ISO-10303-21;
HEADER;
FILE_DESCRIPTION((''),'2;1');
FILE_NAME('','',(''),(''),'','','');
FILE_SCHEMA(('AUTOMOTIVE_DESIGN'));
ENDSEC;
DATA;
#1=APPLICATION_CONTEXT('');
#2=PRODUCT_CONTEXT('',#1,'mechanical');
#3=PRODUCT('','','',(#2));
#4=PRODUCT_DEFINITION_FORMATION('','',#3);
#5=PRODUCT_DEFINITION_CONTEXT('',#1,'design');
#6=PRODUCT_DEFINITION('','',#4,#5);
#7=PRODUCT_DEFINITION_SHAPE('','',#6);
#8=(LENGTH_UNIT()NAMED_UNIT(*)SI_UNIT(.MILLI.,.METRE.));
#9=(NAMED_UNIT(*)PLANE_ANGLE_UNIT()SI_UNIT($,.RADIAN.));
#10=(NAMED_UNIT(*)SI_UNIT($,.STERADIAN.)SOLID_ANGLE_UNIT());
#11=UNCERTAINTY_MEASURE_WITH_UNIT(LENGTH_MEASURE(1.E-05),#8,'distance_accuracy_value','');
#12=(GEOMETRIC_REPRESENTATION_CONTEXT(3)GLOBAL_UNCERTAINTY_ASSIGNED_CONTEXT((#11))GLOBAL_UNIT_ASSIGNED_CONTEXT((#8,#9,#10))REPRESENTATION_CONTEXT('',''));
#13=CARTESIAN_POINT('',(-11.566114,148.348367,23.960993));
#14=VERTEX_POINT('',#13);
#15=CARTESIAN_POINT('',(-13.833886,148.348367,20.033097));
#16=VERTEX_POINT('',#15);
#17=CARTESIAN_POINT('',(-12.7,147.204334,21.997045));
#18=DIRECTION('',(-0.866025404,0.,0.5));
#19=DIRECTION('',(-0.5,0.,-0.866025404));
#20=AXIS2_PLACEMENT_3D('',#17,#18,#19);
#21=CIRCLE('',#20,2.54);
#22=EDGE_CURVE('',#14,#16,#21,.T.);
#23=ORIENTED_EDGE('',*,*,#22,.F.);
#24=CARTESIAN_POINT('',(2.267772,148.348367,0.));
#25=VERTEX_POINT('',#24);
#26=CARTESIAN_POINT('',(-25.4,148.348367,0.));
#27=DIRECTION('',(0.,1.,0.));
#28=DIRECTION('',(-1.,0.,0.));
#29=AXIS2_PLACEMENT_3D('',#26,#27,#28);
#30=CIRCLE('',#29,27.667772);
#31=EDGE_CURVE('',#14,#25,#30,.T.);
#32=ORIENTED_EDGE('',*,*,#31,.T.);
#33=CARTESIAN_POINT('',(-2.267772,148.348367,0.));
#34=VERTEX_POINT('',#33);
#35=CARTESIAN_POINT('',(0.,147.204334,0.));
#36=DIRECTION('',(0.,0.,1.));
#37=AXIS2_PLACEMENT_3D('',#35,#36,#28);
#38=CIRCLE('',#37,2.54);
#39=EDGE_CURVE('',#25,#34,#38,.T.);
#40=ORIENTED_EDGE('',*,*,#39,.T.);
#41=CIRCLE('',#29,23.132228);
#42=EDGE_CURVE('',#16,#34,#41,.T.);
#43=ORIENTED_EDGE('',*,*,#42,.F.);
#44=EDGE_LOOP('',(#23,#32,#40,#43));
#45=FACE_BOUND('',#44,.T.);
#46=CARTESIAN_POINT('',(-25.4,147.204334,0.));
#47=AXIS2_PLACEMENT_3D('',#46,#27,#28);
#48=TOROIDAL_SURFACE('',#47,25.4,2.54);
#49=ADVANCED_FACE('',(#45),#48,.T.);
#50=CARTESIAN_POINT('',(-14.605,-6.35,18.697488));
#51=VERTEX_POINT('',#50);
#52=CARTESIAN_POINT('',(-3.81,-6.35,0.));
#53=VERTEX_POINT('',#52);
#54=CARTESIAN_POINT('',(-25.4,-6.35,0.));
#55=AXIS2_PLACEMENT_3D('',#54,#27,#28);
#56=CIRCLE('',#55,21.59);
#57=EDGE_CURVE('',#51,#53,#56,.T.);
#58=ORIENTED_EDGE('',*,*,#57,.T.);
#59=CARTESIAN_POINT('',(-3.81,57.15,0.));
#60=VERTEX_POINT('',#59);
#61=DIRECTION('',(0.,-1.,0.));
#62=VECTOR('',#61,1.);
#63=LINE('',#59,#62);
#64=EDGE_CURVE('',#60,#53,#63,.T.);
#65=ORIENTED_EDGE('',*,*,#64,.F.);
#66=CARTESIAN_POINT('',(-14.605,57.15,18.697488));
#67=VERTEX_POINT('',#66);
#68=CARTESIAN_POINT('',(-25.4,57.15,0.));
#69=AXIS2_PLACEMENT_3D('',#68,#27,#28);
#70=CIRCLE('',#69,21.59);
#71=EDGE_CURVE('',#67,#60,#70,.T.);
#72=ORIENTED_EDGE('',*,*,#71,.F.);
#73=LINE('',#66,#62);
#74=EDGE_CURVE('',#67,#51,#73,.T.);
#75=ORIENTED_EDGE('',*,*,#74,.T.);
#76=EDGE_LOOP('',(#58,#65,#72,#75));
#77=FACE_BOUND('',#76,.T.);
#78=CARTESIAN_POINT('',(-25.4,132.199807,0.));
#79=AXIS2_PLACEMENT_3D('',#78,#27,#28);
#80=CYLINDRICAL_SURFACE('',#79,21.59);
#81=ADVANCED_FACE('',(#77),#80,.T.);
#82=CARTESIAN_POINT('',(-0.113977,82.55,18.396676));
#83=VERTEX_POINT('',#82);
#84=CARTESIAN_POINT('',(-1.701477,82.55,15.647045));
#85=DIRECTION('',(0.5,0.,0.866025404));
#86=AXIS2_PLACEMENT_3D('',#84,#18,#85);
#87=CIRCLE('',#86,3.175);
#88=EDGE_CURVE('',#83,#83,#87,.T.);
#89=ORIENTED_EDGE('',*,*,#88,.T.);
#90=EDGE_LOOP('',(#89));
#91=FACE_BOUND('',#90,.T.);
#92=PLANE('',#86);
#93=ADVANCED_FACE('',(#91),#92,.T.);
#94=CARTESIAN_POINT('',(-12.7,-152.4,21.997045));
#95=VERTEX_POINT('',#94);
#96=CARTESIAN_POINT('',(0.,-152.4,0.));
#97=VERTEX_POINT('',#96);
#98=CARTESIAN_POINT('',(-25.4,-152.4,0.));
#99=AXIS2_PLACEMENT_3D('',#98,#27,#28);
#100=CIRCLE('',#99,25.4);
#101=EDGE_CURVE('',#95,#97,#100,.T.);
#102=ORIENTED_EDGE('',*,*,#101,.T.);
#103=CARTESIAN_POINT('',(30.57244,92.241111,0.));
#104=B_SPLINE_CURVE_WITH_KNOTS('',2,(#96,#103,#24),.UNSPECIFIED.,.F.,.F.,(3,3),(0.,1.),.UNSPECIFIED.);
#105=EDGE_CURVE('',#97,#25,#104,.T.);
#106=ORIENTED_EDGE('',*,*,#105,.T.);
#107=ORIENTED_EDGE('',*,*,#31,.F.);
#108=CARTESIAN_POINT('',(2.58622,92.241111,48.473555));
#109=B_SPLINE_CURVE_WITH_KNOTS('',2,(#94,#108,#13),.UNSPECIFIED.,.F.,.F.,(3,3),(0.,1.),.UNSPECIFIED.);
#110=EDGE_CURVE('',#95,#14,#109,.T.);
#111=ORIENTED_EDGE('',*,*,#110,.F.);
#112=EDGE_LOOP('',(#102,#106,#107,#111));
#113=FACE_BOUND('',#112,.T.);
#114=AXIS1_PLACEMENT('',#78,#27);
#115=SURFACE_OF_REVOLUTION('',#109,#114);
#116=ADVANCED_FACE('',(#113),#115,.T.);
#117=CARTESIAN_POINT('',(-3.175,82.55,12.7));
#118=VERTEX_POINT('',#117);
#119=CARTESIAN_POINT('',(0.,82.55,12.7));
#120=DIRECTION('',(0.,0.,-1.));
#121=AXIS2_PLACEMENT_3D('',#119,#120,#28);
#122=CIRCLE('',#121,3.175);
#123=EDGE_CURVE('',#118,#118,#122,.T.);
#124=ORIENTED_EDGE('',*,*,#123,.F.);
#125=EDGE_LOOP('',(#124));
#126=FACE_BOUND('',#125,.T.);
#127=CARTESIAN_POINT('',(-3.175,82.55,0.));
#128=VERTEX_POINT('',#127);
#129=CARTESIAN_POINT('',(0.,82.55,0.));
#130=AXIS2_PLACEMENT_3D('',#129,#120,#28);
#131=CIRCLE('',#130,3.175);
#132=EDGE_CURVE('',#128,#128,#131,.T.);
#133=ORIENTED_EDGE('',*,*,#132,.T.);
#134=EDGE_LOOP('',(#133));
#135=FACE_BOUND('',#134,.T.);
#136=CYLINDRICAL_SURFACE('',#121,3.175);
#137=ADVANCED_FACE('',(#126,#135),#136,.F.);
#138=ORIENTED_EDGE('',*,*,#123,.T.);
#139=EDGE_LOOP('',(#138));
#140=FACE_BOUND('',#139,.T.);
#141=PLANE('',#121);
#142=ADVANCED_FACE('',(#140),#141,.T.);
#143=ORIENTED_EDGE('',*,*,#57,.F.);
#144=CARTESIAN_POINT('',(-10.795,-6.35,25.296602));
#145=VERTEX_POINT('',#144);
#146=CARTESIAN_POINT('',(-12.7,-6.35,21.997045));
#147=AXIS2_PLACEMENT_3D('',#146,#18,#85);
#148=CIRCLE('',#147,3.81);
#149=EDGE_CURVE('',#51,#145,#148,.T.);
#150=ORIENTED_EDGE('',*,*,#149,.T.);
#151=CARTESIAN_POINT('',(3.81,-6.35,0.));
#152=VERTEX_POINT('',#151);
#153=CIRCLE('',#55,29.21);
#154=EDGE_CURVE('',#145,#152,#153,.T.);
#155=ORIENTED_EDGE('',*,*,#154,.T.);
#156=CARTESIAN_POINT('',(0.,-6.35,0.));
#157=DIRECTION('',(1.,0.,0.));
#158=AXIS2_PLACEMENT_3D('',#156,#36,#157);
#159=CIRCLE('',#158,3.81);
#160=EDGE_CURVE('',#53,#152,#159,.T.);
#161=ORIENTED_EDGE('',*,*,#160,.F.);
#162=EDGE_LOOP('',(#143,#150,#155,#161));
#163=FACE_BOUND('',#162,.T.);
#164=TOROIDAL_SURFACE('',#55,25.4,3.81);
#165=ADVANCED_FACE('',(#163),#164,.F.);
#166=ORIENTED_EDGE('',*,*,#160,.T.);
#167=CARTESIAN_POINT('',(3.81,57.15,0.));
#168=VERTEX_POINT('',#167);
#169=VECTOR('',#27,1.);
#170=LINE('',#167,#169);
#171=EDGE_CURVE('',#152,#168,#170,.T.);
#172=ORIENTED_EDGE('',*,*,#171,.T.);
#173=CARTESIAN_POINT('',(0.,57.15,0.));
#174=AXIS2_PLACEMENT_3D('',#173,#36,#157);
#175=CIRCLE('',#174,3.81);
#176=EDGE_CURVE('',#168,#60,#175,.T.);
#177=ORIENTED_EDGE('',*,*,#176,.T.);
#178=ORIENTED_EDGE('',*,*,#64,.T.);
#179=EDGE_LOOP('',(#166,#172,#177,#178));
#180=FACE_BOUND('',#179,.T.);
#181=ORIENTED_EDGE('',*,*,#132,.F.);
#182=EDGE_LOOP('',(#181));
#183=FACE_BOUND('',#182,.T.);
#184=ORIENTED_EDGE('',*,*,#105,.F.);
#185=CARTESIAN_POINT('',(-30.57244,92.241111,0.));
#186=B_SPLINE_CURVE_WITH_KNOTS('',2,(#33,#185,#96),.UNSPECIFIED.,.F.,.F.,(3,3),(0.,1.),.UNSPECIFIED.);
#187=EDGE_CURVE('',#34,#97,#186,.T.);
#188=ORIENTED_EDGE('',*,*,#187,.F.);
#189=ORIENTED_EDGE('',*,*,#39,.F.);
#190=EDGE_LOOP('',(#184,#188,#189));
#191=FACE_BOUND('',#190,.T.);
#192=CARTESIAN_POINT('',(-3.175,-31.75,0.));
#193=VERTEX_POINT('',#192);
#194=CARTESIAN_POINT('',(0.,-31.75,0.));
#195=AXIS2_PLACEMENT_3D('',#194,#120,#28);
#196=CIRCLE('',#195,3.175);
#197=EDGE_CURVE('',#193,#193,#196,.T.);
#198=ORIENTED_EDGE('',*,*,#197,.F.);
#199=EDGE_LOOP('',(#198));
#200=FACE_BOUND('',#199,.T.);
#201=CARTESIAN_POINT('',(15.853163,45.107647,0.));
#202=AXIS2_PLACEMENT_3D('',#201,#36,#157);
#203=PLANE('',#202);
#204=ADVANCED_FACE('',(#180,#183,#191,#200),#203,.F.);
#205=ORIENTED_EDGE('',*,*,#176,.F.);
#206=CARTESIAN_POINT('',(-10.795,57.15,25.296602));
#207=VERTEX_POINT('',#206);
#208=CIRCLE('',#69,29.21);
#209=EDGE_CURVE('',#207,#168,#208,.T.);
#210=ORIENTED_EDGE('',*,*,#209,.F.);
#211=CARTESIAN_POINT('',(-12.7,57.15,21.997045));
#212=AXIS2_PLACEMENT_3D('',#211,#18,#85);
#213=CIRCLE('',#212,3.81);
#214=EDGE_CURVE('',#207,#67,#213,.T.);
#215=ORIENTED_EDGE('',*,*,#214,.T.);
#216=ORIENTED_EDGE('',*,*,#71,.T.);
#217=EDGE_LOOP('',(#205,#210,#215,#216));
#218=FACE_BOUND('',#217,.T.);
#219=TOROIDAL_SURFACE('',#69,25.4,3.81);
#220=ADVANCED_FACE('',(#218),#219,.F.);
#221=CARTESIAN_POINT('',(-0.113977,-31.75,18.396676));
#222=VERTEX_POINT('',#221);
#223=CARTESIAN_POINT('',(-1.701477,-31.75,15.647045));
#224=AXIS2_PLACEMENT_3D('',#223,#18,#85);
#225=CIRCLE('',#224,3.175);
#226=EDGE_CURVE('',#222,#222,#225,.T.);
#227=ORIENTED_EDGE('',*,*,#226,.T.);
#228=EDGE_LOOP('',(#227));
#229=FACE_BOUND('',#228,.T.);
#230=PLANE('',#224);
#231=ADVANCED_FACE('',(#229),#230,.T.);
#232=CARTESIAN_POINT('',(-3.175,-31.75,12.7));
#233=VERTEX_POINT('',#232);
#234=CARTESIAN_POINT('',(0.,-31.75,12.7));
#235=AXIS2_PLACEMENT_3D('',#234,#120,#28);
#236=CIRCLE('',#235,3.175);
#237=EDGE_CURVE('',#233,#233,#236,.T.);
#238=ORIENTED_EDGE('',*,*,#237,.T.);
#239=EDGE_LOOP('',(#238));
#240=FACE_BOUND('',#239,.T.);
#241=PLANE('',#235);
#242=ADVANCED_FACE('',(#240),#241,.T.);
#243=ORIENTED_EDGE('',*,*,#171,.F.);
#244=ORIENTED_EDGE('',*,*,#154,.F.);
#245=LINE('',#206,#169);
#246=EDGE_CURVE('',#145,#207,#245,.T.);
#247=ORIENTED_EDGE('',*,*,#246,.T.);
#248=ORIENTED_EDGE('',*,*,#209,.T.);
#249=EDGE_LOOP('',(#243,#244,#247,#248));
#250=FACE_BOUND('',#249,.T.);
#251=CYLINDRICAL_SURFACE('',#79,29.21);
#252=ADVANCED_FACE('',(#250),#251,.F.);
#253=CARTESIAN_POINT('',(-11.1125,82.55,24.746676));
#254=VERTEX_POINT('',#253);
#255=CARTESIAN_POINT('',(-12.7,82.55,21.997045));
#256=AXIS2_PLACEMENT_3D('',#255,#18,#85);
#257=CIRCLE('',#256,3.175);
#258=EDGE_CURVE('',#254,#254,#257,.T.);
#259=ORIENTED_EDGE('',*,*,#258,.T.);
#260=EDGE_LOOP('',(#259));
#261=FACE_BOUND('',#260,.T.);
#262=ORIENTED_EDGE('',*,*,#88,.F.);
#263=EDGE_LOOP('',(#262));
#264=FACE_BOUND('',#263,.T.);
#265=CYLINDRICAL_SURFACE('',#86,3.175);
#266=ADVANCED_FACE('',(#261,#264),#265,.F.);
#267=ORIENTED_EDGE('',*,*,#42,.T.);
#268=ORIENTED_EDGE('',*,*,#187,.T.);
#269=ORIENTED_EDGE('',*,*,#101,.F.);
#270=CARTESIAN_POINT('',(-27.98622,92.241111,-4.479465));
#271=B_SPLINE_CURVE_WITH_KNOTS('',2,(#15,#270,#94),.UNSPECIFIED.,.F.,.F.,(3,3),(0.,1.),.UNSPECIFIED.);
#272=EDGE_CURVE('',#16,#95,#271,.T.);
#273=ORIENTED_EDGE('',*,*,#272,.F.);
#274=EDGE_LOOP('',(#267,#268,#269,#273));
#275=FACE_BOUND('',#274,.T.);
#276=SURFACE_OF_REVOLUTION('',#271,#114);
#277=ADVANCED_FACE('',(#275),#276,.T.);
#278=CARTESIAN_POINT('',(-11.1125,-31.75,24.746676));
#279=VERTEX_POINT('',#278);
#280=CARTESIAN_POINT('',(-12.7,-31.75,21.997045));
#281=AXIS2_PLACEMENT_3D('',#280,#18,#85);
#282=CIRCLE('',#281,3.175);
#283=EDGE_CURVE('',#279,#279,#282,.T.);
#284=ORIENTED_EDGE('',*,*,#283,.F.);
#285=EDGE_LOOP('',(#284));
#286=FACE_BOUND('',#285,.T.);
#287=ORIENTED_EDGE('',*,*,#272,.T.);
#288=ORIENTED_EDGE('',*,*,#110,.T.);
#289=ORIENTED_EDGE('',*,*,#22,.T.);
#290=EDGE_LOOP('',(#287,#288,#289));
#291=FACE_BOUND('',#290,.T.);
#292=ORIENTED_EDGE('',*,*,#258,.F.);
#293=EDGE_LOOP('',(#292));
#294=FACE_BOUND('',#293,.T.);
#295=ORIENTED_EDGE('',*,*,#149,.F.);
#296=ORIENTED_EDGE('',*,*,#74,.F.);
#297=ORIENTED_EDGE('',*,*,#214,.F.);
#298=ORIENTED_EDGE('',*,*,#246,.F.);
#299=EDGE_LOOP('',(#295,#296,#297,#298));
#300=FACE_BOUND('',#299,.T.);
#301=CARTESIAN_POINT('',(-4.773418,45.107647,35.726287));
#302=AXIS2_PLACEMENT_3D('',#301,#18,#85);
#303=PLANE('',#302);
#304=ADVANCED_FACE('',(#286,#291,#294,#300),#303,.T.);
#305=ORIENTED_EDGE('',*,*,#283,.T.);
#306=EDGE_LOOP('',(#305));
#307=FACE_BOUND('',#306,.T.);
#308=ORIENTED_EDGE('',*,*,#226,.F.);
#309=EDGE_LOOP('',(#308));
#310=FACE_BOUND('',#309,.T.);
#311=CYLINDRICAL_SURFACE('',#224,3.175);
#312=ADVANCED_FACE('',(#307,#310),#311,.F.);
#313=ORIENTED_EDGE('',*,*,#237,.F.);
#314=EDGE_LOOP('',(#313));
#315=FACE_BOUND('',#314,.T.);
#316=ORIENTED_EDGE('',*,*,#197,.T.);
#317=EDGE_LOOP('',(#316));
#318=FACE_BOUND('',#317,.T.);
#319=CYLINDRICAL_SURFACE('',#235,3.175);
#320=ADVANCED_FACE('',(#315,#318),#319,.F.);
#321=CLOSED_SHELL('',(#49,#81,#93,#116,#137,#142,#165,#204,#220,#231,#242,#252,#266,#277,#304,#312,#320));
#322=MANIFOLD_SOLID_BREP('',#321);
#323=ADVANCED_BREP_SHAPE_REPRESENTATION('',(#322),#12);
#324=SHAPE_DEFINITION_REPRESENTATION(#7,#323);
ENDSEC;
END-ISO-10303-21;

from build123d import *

# Parameters (mm, degrees)
MAIN_EXTRUDE_ANGLE = 60
SKETCH4_R          = 3.175
SPAR_HOLES_1_DEPTH = 12.7
SKETCH5_R          = 3.175
SPAR_HOLES_2_DEPTH = 12.7


with BuildPart() as part:
    # Sketch3 → Main extrude (revolve)
    with BuildSketch(Plane.XY):
        with BuildLine():
            ThreePointArc((-2.267771894, 148.348367024), (0, 149.744334404), (2.267771894, 148.348367024))
            add(Edge.make_bspline(
                [(2.267771894, 148.348367024), (30.572440123, 92.24111101), (0, -152.4)],
                knots=[0, 0, 0, 1, 1, 1], degree=2))
            add(Edge.make_bspline(
                [(-2.267771894, 148.348367024), (-30.572440123, 92.24111101), (0, -152.4)],
                knots=[0, 0, 0, 1, 1, 1], degree=2))
        make_face()
        with BuildLine():
            Line((3.81, 57.15), (3.81, -6.35))
            ThreePointArc((3.81, -6.35), (0, -10.16), (-3.81, -6.35))
            Line((-3.81, -6.35), (-3.81, 57.15))
            ThreePointArc((-3.81, 57.15), (0, 60.96), (3.81, 57.15))
        make_face(mode=Mode.SUBTRACT)
    revolve(axis=Axis((-25.4, 132.199806754, 0), (0, -1, 0)), revolution_arc=MAIN_EXTRUDE_ANGLE)

    # Sketch4 → Spar holes 1 (cut)
    with BuildSketch(Plane(origin=(-19.05, 0, 10.998522628), x_dir=(0.5, 0, 0.866025404), z_dir=(-0.866025404, 0, 0.5))):
        with Locations((12.7, 82.55)):
            Circle(SKETCH4_R)
        with Locations((12.7, -31.75)):
            Circle(SKETCH4_R)
    extrude(amount=-SPAR_HOLES_1_DEPTH, mode=Mode.SUBTRACT)

    # Sketch5 → Spar holes 2 (cut)
    with BuildSketch(Plane(origin=(0, 0, 0), x_dir=(-1, 0, 0), z_dir=(0, 0, -1))):
        with Locations((0, 82.55)):
            Circle(SKETCH5_R)
        with Locations((0, -31.75)):
            Circle(SKETCH5_R)
    extrude(amount=-SPAR_HOLES_2_DEPTH, mode=Mode.SUBTRACT)


solid = part.part
